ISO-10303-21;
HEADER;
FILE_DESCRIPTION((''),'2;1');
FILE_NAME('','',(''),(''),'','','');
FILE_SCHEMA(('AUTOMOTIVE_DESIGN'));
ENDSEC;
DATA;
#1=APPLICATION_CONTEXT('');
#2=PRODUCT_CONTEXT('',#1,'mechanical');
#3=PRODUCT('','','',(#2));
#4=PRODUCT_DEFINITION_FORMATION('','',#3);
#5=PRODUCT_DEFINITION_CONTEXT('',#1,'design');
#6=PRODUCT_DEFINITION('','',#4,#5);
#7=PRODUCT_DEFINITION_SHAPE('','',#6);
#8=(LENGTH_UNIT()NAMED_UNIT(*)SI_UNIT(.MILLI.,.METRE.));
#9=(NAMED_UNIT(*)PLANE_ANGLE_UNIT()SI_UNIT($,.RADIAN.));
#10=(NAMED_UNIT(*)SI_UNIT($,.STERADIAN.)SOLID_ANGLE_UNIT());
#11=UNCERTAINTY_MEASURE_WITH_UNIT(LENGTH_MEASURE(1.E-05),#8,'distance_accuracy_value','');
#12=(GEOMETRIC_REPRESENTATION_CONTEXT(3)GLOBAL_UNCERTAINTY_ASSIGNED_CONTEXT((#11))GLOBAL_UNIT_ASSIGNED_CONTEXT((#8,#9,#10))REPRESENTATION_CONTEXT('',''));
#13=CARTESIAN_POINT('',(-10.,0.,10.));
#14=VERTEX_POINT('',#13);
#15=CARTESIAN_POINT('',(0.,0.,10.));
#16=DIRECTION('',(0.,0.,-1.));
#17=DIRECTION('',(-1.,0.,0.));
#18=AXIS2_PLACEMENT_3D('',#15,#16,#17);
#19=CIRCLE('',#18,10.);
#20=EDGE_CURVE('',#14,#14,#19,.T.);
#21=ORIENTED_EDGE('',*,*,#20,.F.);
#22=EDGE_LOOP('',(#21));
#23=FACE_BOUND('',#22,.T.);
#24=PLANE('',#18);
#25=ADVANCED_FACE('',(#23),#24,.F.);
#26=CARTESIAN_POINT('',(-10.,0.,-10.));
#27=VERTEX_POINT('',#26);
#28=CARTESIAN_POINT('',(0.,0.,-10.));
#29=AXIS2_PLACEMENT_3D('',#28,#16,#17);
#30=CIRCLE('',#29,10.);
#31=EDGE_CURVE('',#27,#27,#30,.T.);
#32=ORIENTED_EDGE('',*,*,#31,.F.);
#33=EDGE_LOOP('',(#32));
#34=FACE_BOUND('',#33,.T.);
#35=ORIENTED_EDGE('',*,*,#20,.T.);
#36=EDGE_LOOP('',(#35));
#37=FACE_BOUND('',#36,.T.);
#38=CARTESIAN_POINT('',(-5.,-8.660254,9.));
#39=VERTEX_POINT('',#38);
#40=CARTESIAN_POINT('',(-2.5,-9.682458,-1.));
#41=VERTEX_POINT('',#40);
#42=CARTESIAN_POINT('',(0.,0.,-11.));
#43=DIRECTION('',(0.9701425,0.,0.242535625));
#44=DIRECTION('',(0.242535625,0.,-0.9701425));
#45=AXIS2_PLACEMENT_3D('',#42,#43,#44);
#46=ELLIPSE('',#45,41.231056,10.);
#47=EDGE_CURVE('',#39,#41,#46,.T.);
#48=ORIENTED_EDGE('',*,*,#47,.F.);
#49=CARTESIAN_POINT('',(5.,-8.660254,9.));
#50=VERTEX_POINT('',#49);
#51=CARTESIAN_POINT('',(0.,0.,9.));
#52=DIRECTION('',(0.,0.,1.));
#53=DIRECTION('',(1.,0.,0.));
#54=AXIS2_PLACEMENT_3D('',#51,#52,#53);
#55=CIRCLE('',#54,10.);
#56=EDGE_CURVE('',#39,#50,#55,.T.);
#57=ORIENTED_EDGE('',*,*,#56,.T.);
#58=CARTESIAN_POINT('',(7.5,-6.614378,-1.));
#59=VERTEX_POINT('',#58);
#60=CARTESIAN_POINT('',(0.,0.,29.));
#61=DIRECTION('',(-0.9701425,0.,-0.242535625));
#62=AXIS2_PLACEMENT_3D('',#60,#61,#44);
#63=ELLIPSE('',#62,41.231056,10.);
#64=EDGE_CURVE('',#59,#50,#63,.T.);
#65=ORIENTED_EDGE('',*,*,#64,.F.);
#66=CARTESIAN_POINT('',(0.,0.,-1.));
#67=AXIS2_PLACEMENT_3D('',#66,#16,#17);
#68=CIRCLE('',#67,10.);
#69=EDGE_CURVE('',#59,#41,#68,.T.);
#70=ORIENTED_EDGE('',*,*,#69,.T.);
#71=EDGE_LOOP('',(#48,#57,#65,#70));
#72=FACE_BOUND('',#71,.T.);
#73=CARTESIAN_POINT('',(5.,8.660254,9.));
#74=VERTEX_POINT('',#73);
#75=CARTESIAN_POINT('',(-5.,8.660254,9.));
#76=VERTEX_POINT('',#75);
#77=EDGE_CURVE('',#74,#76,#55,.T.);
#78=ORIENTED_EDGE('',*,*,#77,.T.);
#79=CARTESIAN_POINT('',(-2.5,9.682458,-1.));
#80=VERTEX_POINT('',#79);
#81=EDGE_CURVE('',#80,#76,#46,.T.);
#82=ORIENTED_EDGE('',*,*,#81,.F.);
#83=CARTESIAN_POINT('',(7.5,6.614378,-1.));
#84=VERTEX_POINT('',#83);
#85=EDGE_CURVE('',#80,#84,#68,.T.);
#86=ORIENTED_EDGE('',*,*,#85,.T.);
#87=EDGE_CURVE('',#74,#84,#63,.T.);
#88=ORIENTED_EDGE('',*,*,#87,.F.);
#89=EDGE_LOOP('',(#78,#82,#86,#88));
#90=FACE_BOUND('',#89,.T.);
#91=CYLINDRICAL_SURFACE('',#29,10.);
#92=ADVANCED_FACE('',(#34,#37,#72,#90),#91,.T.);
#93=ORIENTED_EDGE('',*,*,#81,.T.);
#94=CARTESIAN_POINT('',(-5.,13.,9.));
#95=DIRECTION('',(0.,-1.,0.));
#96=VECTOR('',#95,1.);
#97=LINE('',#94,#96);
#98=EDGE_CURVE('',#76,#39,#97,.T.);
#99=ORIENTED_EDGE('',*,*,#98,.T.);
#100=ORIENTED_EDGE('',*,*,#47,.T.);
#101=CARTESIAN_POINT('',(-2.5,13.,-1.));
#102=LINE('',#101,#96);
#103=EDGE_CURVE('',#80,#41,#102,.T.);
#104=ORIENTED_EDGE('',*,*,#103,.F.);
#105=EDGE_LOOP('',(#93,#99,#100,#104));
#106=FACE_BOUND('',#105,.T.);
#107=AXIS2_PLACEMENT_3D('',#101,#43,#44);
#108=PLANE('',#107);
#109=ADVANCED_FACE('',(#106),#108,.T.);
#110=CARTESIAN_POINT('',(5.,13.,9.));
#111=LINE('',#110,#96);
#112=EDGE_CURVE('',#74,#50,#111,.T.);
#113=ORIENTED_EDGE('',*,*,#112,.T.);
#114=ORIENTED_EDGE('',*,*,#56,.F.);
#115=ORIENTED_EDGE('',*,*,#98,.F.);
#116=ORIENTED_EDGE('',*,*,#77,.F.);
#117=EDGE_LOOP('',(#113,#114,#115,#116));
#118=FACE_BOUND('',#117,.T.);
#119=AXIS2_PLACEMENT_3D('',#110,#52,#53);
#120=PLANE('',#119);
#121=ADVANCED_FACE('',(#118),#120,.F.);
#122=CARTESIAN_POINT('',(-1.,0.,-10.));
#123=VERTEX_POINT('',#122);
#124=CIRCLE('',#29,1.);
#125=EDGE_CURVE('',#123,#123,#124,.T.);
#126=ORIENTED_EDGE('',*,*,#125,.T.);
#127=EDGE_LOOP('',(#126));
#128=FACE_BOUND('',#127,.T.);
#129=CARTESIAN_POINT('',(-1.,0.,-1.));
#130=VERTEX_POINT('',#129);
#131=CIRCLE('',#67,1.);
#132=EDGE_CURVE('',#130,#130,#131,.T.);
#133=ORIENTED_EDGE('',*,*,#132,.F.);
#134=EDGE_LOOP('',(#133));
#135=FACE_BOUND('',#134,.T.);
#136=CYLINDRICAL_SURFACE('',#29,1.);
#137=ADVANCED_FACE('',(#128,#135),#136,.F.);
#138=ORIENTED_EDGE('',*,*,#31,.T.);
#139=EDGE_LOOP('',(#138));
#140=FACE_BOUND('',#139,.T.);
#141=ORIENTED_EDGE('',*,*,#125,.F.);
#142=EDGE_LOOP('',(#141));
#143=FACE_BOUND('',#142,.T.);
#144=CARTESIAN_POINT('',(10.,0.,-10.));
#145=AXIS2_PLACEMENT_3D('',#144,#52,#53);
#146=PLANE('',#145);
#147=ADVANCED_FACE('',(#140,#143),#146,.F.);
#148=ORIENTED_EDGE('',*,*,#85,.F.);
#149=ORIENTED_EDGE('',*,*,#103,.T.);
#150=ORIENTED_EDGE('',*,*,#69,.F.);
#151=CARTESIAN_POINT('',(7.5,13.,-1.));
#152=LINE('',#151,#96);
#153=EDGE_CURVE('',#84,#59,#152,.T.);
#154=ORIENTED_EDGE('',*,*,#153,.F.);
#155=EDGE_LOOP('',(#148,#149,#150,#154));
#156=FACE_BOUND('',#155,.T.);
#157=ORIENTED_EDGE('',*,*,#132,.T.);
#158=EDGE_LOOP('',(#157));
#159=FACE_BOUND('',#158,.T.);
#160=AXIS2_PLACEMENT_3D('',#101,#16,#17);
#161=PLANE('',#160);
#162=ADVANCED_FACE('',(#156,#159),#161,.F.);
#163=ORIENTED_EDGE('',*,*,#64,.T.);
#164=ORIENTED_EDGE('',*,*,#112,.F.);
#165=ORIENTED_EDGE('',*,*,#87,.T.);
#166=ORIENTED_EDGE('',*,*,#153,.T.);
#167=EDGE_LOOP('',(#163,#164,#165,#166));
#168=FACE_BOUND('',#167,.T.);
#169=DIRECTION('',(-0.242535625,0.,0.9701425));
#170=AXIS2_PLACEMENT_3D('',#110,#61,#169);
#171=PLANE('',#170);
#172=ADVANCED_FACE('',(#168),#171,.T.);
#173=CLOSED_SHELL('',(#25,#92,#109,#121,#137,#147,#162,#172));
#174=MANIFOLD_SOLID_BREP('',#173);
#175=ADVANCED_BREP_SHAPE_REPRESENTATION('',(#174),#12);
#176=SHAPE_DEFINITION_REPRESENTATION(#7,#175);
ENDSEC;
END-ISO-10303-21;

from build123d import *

# Parameters (mm, degrees)
SKETCH1_W                 = 10
SKETCH1_H                 = 20
CUT_EXTRUDE1_DEPTH        = 13
F_2_0MM_DOWEL_HOLE1_D     = 2
F_2_0MM_DOWEL_HOLE1_DEPTH = 10
F_2_0MM_DOWEL_HOLE1_TIP   = 0.600860619


with BuildPart() as part:
    # Sketch1 → Revolve1 (revolve)
    with BuildSketch(Plane(origin=(0, 0, 0), x_dir=(1, 0, 0), z_dir=(0, 1, 0)), mode=Mode.PRIVATE) as revolve1_sk:
        with Locations((5, 0)):
            Rectangle(SKETCH1_W, SKETCH1_H)
    revolve(revolve1_sk.sketch.rotate(Axis((0, 0, -10), (0, 0, 1)), 180), axis=Axis((0, 0, -10), (0, 0, 1)))

    # Sketch3 → Cut-Extrude1 (cut, symmetric)
    with BuildSketch(Plane(origin=(0, 0, 0), x_dir=(1, 0, 0), z_dir=(0, 1, 0))):
        Polygon((5, -9), (-5, -9), (-2.5, 1), (7.5, 1), align=None)
    extrude(amount=CUT_EXTRUDE1_DEPTH, both=True, mode=Mode.SUBTRACT)

    # Ø2.0mm Dowel Hole1
    with Locations(Plane(origin=(0, 0, -10), x_dir=(-1, 0, 0), z_dir=(0, 0, -1))):
        with Locations((0, 0)):
            Hole(F_2_0MM_DOWEL_HOLE1_D / 2, depth=F_2_0MM_DOWEL_HOLE1_DEPTH)
            with Locations((0, 0, -(F_2_0MM_DOWEL_HOLE1_DEPTH + F_2_0MM_DOWEL_HOLE1_TIP / 2))):  # 118° drill point
                Cone(0, F_2_0MM_DOWEL_HOLE1_D / 2, F_2_0MM_DOWEL_HOLE1_TIP, mode=Mode.SUBTRACT)


solid = part.part
